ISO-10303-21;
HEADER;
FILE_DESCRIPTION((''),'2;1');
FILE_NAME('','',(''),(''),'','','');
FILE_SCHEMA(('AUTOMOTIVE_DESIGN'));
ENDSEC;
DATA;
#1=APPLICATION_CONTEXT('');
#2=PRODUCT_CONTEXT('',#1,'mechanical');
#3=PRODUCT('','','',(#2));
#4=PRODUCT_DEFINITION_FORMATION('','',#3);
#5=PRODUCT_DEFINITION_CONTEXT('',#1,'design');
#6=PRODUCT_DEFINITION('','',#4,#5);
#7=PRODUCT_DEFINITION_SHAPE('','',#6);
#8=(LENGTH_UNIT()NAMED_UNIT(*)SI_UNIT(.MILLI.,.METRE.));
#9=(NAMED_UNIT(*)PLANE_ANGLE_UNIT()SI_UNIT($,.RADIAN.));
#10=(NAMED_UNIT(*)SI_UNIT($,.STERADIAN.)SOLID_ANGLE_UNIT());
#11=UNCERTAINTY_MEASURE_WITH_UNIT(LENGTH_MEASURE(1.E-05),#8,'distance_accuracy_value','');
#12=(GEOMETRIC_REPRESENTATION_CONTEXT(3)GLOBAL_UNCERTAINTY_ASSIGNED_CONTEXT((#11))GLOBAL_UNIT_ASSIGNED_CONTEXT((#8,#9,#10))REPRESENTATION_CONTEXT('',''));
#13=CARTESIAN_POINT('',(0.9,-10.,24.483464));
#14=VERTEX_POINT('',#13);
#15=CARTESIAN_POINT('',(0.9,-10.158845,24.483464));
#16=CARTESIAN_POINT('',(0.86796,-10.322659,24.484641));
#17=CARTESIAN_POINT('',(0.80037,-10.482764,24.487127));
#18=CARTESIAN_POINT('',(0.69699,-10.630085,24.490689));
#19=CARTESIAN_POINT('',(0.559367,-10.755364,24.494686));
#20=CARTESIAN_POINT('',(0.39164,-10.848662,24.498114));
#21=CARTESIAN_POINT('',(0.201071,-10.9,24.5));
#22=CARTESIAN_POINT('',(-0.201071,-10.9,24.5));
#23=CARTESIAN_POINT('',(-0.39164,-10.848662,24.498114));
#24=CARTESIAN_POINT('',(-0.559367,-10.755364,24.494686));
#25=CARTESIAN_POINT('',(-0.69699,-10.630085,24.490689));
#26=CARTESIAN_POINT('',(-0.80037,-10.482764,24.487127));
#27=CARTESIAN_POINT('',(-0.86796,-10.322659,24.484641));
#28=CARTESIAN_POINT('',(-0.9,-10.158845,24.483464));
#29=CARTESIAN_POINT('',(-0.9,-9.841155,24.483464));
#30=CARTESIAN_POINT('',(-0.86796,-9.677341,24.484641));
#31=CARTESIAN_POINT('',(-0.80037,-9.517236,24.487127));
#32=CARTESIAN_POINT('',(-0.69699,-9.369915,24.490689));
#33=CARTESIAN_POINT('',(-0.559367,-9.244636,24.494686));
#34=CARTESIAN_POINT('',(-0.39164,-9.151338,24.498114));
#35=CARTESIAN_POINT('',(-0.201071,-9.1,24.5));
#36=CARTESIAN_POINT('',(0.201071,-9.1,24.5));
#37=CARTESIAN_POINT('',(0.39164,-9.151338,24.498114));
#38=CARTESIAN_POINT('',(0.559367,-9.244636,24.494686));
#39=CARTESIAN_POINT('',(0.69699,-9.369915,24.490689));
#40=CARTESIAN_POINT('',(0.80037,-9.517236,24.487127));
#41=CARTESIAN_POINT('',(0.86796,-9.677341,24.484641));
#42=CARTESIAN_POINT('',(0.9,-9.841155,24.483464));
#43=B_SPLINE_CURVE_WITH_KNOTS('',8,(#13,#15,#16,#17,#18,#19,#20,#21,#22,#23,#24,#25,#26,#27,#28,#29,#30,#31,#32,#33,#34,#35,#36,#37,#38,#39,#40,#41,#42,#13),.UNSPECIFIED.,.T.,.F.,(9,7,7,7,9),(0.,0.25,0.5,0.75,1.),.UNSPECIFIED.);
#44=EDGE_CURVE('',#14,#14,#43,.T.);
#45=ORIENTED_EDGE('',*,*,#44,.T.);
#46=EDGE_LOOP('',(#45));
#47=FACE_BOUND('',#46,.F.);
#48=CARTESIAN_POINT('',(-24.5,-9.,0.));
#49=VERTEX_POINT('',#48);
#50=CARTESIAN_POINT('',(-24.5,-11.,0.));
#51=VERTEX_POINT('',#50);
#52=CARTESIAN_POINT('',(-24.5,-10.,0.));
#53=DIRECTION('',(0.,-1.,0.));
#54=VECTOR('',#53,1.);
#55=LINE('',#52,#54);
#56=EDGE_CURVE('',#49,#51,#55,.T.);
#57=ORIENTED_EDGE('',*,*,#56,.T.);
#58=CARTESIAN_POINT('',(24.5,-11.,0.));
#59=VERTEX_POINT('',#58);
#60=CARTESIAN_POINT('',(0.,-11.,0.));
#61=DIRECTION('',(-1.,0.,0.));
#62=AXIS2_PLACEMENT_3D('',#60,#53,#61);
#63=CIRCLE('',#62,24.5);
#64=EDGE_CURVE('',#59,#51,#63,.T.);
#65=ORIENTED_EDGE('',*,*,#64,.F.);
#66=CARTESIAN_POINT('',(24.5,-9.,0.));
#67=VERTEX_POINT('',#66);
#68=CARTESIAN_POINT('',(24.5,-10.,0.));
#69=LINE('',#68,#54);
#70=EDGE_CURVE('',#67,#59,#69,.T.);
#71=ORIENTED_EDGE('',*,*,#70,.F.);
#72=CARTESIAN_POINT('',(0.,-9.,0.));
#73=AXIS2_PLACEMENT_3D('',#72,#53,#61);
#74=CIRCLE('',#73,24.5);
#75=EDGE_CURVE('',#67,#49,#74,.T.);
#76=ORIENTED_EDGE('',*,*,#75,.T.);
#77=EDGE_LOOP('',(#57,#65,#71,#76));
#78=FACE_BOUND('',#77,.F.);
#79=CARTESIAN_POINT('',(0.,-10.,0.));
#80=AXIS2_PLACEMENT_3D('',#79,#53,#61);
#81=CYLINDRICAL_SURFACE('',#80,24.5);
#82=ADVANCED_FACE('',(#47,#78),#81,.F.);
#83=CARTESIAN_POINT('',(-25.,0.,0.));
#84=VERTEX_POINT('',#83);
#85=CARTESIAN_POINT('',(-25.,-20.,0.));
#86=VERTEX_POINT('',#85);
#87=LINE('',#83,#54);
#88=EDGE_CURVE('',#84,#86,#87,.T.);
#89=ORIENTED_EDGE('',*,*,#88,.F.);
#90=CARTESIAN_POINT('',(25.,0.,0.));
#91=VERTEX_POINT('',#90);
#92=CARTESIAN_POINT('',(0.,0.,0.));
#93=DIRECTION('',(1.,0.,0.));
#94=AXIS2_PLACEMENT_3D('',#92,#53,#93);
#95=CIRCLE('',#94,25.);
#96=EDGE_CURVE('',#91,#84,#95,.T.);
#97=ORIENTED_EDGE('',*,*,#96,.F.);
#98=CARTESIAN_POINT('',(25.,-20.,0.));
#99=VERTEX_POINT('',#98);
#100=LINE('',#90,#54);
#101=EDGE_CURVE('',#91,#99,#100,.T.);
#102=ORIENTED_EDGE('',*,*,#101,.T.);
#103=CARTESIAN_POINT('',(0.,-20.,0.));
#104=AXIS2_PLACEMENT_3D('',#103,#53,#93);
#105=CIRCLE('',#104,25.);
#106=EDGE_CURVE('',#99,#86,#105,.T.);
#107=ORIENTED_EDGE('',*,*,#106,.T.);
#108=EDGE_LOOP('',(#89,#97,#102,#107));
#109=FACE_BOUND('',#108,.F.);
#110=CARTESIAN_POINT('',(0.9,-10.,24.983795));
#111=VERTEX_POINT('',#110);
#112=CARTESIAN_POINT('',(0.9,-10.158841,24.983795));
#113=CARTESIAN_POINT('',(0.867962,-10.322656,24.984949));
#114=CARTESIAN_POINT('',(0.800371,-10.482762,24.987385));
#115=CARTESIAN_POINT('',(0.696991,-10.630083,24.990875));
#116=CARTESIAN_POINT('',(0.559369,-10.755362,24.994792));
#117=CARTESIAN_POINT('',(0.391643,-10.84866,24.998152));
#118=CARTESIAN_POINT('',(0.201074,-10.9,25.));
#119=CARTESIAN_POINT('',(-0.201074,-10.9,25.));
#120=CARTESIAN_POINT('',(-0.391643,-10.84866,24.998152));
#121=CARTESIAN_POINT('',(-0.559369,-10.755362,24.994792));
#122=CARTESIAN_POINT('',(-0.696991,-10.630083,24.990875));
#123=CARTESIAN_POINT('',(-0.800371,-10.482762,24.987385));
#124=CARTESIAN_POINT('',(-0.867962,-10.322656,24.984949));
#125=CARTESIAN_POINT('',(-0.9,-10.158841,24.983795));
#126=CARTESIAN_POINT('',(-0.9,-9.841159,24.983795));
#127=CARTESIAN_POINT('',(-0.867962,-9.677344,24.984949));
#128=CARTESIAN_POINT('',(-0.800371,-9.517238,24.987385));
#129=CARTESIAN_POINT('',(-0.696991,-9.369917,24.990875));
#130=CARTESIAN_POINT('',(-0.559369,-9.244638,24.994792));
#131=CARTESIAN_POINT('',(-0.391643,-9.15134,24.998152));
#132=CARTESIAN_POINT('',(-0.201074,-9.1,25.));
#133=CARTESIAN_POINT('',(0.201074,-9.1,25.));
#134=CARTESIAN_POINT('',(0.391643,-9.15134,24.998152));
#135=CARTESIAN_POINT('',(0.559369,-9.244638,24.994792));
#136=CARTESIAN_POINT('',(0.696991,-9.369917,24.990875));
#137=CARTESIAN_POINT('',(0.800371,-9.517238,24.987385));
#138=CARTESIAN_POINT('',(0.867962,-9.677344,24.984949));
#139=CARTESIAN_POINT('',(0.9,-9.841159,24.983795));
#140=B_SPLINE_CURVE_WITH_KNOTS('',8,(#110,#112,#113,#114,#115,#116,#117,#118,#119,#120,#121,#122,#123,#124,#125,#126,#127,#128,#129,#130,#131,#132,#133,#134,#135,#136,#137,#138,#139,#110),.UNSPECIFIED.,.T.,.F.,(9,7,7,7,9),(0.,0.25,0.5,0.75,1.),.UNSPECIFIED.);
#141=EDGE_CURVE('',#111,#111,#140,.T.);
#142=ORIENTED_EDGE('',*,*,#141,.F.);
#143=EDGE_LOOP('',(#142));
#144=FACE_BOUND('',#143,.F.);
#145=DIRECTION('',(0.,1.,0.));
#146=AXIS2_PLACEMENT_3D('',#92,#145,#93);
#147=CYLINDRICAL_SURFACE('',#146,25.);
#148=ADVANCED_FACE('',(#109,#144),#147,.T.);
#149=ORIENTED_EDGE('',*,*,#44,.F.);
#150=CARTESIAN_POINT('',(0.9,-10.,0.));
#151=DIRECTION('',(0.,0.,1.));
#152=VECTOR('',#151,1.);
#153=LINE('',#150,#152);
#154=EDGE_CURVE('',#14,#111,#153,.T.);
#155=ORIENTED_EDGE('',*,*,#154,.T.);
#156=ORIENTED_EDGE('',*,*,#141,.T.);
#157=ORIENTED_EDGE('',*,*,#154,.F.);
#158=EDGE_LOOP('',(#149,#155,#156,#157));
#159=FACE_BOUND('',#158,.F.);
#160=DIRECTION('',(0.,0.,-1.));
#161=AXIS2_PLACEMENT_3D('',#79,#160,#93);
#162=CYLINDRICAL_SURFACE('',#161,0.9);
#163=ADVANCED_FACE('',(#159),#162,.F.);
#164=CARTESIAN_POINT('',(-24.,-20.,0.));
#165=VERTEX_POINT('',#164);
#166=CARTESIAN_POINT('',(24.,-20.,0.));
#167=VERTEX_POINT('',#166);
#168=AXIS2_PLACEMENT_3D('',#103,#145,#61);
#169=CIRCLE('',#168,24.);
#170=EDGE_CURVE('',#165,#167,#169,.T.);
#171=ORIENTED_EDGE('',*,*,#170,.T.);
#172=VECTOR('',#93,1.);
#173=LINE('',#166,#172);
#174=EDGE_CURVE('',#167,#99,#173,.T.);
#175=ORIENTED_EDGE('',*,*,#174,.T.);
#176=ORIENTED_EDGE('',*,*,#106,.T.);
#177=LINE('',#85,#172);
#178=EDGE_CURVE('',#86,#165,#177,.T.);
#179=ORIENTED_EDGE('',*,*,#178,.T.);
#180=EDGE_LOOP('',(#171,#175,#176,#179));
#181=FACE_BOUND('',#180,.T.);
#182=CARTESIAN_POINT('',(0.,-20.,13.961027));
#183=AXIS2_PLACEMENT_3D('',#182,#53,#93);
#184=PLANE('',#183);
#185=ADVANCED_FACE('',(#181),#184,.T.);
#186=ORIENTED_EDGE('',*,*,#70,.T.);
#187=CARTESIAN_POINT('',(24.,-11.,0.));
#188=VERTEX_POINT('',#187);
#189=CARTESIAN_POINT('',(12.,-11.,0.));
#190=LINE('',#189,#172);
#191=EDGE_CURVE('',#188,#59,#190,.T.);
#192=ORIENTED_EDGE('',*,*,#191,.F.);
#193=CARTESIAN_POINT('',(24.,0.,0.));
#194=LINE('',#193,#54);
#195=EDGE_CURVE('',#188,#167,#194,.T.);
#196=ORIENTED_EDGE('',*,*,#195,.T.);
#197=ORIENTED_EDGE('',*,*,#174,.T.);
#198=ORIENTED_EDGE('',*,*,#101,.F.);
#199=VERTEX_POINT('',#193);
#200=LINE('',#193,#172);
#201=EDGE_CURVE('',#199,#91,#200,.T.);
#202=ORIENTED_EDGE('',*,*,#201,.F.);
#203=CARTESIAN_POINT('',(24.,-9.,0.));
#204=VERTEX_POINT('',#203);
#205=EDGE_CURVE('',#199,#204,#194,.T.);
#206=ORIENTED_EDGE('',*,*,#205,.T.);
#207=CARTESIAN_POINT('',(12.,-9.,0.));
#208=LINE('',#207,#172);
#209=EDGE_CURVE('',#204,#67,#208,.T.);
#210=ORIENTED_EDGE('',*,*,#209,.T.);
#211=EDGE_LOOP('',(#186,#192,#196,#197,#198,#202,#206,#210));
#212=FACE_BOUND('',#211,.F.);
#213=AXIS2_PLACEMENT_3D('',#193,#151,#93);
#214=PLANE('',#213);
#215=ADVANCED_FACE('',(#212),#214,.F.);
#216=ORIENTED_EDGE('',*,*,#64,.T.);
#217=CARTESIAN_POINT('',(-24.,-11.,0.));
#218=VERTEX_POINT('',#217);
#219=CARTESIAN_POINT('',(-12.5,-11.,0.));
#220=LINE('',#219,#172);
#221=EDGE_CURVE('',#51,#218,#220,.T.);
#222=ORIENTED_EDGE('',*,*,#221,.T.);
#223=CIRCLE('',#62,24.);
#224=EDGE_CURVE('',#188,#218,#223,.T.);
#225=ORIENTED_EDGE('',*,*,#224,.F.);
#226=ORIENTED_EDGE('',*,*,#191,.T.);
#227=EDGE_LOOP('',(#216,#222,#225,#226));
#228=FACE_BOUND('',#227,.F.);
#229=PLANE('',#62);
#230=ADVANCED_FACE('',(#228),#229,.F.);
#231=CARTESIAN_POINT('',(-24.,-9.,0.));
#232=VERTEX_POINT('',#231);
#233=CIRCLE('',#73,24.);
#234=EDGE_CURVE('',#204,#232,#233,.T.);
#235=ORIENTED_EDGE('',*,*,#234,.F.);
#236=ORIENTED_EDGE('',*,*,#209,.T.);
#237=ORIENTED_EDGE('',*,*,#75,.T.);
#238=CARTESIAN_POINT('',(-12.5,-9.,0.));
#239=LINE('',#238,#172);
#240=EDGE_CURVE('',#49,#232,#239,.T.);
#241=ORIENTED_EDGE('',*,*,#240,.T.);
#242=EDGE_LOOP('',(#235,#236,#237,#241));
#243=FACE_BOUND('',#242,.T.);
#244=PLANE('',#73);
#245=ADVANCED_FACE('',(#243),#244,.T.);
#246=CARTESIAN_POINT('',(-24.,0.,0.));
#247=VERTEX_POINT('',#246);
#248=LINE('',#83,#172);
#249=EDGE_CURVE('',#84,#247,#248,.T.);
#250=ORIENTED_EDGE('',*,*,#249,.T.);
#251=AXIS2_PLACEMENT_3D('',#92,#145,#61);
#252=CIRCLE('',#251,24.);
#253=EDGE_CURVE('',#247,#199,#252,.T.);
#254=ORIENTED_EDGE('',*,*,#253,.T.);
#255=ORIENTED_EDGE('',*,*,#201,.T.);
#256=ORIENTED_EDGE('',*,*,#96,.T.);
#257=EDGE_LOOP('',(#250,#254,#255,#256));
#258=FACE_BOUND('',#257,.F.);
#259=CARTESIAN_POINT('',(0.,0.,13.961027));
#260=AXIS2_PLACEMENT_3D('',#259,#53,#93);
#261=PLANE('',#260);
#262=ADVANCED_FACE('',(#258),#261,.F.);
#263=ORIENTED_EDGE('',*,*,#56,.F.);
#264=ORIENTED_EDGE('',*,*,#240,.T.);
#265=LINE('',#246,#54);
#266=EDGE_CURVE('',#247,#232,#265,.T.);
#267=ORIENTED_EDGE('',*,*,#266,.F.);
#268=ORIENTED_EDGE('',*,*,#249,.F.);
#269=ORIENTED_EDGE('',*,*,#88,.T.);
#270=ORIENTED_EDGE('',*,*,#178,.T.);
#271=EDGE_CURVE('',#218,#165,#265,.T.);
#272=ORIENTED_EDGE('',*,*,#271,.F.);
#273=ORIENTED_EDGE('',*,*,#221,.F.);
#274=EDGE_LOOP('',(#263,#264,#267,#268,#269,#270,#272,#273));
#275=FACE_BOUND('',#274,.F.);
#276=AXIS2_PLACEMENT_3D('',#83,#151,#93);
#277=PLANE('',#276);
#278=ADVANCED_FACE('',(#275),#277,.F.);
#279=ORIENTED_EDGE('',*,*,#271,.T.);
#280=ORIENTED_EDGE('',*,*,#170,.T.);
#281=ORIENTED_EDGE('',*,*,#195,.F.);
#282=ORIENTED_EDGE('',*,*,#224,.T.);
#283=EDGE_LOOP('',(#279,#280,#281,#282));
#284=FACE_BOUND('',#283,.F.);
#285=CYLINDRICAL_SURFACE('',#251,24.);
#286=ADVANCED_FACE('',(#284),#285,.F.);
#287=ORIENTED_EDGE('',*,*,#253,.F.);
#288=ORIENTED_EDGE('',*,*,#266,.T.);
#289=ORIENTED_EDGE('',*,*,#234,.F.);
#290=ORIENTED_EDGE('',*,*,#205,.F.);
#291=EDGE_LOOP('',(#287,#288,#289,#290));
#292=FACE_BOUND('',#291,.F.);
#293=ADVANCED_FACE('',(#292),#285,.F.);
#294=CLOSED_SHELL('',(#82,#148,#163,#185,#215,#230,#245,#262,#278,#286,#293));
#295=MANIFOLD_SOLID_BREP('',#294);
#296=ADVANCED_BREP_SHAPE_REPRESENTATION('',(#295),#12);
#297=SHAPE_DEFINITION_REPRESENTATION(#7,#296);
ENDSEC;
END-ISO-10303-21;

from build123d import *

# Parameters (mm, degrees)
F1_DEPTH = 20
F2_W     = 0.5
F2_H     = 2
F4_R     = 0.9
F5_DEPTH = 25.001


with BuildPart() as f1:
    # F0 (on Front) → F1 (new body)
    with BuildSketch(Plane.XZ):
        with BuildLine():
            Line((24, 0), (25, 0))
            ThreePointArc((25, 0), (0, 25), (-25, 0))
            Line((-25, 0), (-24, 0))
            ThreePointArc((-24, 0), (0, 24), (24, 0))
        make_face()
    extrude(amount=F1_DEPTH)

    # F2 (on face) → F3 (revolve, cut)
    with BuildSketch(Plane(origin=(0, 0, 0), x_dir=(1, 0, 0), z_dir=(0, 0, -1))):
        with Locations((-24.25, 10)):
            Rectangle(F2_W, F2_H)
    revolve(axis=Axis((0, -6.667699, 0), (0, -1, 0)), mode=Mode.SUBTRACT)

    # F4 (on face) → F5 (cut, through all)
    with BuildSketch(Plane(origin=(0, 0, 0), x_dir=(1, 0, 0), z_dir=(0, 0, -1))):
        with Locations((0, 10)):
            Circle(F4_R)
    extrude(amount=-F5_DEPTH, mode=Mode.SUBTRACT)


solid = f1.part
